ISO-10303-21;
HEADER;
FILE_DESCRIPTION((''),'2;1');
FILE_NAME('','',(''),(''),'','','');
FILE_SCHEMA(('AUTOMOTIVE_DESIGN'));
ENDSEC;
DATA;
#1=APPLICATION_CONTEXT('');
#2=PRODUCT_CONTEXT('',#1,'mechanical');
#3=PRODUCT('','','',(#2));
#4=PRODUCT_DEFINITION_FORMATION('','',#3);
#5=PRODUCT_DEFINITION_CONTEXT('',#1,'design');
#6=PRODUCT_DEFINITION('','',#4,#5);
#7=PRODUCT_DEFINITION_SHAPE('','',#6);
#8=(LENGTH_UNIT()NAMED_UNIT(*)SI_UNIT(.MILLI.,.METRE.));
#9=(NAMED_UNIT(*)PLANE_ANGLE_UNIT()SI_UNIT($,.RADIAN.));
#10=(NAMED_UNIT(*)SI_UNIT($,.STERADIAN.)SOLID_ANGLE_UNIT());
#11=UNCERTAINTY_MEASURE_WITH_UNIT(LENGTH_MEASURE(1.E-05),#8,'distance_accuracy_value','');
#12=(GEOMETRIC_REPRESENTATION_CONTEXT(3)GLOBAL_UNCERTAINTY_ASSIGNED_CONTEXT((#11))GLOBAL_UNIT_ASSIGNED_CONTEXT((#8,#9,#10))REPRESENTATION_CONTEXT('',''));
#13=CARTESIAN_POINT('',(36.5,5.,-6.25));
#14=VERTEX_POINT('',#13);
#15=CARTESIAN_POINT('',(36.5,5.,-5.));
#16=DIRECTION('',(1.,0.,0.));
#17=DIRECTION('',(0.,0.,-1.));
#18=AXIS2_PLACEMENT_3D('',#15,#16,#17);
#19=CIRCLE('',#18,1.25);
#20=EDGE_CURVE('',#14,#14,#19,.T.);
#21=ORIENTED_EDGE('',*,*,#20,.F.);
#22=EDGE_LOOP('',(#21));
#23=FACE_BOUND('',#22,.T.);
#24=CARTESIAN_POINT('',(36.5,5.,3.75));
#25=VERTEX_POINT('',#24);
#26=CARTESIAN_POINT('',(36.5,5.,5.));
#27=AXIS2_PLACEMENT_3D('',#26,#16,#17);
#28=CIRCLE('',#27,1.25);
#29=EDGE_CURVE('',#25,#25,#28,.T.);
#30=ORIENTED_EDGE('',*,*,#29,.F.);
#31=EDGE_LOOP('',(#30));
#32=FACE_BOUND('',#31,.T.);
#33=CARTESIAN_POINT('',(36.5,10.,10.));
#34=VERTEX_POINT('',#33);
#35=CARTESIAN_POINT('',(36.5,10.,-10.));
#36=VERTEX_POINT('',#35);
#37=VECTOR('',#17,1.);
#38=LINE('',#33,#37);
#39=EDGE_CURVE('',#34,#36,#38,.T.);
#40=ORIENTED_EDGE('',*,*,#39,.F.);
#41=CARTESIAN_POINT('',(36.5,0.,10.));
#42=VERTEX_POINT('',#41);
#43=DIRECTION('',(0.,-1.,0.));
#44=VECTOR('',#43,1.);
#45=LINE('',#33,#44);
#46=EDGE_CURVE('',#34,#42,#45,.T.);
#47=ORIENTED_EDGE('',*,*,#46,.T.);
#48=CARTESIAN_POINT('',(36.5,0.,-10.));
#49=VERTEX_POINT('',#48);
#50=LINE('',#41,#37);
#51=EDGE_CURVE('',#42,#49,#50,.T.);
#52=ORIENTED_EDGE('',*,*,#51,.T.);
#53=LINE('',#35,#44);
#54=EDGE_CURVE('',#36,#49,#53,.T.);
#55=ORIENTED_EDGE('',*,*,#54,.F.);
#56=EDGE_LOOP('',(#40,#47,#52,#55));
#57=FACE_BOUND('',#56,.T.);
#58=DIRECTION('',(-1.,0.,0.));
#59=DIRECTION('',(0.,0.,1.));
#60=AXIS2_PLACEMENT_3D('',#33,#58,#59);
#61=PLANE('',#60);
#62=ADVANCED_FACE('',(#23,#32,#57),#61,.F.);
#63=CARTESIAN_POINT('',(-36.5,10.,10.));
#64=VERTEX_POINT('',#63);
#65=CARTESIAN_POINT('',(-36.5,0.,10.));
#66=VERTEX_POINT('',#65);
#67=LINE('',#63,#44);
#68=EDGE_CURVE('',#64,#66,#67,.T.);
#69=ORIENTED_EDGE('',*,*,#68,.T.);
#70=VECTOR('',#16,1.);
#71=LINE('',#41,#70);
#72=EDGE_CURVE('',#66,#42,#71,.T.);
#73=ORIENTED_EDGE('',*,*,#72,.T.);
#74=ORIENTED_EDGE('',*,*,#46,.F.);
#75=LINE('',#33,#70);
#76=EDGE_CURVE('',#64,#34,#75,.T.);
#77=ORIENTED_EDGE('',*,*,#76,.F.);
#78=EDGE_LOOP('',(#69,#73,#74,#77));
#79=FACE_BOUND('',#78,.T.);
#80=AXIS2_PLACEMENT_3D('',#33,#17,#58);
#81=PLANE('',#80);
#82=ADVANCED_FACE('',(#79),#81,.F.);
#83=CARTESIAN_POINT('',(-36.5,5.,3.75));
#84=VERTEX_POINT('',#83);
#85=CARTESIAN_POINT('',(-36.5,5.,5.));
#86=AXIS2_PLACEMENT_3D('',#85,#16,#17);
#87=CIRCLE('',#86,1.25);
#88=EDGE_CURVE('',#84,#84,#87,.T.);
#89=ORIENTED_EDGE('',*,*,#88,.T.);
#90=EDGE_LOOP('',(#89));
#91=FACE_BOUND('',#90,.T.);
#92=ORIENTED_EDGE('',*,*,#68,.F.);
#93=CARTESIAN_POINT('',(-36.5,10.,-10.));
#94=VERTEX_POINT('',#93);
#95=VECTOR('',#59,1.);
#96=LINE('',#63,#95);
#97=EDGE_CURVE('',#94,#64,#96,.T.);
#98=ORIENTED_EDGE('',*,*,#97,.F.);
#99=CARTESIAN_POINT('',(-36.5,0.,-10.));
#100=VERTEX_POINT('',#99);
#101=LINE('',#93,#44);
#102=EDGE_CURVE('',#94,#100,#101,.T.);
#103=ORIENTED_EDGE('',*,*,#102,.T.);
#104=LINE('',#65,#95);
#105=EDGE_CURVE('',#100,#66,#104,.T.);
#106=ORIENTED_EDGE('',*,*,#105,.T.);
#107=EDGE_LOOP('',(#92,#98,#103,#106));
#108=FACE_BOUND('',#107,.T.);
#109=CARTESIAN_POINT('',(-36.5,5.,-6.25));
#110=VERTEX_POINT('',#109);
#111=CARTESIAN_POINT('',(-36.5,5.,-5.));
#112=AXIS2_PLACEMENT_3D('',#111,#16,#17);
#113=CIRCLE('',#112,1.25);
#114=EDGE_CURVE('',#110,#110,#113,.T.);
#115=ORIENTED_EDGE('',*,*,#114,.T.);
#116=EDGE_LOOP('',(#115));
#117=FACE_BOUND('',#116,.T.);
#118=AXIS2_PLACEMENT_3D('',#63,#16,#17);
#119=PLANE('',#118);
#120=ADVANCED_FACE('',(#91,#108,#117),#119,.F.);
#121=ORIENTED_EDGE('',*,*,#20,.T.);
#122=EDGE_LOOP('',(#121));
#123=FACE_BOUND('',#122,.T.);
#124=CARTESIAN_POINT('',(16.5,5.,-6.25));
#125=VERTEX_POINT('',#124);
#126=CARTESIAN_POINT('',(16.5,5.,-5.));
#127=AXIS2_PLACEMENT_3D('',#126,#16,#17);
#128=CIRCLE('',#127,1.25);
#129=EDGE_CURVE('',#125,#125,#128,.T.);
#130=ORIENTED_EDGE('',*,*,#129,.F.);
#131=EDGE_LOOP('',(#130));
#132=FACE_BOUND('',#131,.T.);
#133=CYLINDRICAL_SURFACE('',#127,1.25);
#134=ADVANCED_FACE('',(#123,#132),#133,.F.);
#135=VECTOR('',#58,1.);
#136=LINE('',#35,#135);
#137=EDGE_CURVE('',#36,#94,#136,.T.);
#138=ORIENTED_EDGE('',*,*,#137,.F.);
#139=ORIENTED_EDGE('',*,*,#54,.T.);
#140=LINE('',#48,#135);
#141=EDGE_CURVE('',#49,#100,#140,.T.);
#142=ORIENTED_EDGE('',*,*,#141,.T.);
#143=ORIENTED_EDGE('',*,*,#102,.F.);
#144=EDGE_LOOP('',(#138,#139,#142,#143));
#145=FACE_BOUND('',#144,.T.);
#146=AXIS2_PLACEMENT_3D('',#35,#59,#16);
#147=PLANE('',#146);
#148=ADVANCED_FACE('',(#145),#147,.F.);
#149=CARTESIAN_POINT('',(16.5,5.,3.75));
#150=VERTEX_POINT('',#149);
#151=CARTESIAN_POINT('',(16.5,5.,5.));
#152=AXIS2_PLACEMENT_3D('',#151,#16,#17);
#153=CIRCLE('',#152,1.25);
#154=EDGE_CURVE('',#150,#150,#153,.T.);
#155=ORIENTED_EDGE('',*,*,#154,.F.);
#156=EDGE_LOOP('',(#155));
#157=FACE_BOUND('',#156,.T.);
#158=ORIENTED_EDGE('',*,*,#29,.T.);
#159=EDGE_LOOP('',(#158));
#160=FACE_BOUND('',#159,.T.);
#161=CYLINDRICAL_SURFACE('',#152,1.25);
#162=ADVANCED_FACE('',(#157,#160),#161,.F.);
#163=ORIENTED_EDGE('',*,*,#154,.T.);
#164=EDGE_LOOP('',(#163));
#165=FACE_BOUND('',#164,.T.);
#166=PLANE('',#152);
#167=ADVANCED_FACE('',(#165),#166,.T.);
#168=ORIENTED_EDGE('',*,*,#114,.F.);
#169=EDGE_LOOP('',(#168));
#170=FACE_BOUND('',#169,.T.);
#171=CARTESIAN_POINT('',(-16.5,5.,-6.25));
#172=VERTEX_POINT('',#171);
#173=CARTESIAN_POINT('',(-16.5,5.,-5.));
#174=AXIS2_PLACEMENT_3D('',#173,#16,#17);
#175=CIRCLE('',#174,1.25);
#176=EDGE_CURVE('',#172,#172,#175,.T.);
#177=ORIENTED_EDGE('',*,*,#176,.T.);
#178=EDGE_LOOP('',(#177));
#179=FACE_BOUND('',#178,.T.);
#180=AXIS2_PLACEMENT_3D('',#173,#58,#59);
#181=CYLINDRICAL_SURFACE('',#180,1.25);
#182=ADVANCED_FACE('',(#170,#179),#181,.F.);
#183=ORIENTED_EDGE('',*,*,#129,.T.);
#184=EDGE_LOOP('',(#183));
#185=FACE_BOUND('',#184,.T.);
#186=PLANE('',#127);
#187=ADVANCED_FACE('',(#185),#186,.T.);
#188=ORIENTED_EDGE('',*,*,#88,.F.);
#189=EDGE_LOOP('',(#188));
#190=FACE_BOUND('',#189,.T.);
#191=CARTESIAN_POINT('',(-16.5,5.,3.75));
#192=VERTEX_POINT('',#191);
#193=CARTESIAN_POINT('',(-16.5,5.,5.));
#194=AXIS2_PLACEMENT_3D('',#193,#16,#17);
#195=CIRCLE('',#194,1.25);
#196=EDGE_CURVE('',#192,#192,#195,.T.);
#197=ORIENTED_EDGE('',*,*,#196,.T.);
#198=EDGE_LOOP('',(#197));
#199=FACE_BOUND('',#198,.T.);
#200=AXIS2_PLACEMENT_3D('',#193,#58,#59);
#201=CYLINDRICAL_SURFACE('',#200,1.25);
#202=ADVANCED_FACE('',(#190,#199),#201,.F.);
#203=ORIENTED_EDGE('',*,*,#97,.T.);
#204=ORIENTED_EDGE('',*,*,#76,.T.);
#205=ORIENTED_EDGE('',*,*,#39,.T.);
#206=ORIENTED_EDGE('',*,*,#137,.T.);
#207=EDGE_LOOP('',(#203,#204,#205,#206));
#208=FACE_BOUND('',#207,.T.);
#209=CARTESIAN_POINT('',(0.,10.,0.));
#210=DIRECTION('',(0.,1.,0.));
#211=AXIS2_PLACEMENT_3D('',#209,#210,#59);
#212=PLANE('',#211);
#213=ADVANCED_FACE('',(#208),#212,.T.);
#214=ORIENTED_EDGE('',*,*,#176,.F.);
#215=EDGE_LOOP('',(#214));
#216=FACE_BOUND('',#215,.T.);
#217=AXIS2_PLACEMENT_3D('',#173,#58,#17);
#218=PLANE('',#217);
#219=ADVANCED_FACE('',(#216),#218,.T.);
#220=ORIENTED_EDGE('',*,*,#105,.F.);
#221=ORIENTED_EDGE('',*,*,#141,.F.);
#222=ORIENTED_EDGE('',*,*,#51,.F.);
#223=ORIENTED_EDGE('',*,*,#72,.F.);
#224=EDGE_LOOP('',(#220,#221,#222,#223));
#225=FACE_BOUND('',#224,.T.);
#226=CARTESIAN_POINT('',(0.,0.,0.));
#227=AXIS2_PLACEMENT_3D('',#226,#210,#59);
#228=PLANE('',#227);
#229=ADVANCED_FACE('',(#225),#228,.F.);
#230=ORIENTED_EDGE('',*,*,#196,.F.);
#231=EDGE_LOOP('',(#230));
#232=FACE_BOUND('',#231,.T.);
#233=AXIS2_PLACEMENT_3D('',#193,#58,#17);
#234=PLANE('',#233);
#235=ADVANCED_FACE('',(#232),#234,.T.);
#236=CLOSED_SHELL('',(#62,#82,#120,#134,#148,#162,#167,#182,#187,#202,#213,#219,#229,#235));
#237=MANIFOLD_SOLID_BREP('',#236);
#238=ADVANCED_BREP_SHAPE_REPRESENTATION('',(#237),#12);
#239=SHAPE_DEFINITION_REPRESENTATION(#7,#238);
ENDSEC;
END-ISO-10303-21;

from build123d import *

# Parameters (mm, degrees)
SKETCH_1_W          = 73
SKETCH_1_H          = 20
EXTRUDE_1_DEPTH     = 10
SKETCH_2_R          = 1.25
CUT_EXTRUDE_1_DEPTH = 20


with BuildPart() as part:
    # 草图1 → 凸台-拉伸1 (new body)
    with BuildSketch(Plane(origin=(0, 0, 0), x_dir=(1, 0, 0), z_dir=(0, 1, 0))):
        Rectangle(SKETCH_1_W, SKETCH_1_H)
    extrude(amount=EXTRUDE_1_DEPTH)

    # 草图2 → 切除-拉伸1 (cut)
    with BuildSketch(Plane(origin=(36.5, 0, 0), x_dir=(0, 0, -1), z_dir=(1, 0, 0))):
        with Locations((-5, 5)):
            Circle(SKETCH_2_R)
        with Locations((5, 5)):
            Circle(SKETCH_2_R)
    cut_extrude_1 = extrude(amount=-CUT_EXTRUDE_1_DEPTH, mode=Mode.SUBTRACT)

    # 镜向1: 切除-拉伸1 across plane
    add(cut_extrude_1.mirror(Plane(origin=(0, 0, 0), x_dir=(0, 0, 1), z_dir=(1, 0, 0))), mode=Mode.SUBTRACT)


solid = part.part
